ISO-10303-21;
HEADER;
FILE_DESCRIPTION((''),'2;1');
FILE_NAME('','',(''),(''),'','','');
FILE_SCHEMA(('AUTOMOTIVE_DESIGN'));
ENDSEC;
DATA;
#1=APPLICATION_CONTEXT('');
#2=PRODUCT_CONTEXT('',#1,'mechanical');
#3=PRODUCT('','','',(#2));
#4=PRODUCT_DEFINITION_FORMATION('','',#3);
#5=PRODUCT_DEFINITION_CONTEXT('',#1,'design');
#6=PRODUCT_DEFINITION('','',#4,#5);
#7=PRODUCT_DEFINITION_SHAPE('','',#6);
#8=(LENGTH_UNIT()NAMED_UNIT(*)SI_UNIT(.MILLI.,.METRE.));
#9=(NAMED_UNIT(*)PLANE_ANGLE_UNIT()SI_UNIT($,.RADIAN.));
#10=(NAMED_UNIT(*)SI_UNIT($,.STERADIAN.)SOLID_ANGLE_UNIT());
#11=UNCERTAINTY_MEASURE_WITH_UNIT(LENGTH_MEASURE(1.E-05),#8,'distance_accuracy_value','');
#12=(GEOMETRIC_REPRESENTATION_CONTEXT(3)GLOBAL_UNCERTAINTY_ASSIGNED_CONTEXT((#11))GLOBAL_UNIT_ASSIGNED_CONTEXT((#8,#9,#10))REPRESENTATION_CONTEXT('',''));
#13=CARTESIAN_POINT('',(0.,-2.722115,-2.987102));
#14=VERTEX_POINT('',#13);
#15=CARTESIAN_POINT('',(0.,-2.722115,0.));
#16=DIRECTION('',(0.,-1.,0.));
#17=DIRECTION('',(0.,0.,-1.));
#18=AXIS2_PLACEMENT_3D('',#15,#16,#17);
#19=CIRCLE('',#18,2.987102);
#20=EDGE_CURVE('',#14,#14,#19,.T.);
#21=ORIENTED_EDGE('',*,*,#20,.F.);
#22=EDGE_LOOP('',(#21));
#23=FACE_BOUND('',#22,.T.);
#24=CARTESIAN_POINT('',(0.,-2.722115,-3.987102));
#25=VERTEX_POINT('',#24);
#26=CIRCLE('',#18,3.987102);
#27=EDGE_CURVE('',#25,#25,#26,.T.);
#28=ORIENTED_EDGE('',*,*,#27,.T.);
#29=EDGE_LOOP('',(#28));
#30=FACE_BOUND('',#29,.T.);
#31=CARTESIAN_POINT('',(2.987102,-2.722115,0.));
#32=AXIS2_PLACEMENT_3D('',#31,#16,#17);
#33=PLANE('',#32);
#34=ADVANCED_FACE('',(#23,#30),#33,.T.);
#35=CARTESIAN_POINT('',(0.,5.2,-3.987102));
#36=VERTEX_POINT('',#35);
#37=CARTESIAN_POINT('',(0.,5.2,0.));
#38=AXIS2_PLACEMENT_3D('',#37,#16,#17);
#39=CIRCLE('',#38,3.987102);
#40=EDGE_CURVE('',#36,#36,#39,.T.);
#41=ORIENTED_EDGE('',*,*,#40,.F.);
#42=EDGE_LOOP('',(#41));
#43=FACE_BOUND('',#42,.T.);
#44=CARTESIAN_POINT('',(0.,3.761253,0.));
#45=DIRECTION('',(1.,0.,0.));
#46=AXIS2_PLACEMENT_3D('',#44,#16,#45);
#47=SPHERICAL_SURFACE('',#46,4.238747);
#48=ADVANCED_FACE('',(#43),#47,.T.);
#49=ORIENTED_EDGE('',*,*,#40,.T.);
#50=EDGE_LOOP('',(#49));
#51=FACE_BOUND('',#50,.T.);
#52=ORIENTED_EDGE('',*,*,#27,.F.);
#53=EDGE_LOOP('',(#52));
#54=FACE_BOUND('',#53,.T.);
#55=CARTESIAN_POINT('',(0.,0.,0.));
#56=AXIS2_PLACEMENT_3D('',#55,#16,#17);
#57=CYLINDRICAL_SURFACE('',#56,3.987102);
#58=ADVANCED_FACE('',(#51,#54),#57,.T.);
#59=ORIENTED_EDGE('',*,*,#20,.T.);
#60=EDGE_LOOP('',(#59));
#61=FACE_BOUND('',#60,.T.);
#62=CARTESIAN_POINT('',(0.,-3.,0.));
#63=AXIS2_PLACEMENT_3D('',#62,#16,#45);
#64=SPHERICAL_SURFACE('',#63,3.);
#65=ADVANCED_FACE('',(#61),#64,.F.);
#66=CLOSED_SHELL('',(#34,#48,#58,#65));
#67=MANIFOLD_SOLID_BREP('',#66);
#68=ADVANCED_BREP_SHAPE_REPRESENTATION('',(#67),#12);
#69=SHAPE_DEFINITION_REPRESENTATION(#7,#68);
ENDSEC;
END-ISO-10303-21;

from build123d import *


with BuildPart() as part:
    # Sketch2 → Revolve1 (revolve)
    with BuildSketch(Plane.XY):
        with BuildLine():
            Line((0, 0), (0, 8))
            ThreePointArc((0, 8), (2.436030801, 7.230075618), (3.987102238, 5.2))
            Line((3.987102238, 5.2), (3.987102238, -2.722114739))
            Line((3.987102238, -2.722114739), (2.987102238, -2.722114739))
            ThreePointArc((2.987102238, -2.722114739), (2.020686049, -0.782607862), (0, 0))
        make_face()
    revolve(axis=Axis((0, 0, 0), (0, 1, 0)))


solid = part.part
